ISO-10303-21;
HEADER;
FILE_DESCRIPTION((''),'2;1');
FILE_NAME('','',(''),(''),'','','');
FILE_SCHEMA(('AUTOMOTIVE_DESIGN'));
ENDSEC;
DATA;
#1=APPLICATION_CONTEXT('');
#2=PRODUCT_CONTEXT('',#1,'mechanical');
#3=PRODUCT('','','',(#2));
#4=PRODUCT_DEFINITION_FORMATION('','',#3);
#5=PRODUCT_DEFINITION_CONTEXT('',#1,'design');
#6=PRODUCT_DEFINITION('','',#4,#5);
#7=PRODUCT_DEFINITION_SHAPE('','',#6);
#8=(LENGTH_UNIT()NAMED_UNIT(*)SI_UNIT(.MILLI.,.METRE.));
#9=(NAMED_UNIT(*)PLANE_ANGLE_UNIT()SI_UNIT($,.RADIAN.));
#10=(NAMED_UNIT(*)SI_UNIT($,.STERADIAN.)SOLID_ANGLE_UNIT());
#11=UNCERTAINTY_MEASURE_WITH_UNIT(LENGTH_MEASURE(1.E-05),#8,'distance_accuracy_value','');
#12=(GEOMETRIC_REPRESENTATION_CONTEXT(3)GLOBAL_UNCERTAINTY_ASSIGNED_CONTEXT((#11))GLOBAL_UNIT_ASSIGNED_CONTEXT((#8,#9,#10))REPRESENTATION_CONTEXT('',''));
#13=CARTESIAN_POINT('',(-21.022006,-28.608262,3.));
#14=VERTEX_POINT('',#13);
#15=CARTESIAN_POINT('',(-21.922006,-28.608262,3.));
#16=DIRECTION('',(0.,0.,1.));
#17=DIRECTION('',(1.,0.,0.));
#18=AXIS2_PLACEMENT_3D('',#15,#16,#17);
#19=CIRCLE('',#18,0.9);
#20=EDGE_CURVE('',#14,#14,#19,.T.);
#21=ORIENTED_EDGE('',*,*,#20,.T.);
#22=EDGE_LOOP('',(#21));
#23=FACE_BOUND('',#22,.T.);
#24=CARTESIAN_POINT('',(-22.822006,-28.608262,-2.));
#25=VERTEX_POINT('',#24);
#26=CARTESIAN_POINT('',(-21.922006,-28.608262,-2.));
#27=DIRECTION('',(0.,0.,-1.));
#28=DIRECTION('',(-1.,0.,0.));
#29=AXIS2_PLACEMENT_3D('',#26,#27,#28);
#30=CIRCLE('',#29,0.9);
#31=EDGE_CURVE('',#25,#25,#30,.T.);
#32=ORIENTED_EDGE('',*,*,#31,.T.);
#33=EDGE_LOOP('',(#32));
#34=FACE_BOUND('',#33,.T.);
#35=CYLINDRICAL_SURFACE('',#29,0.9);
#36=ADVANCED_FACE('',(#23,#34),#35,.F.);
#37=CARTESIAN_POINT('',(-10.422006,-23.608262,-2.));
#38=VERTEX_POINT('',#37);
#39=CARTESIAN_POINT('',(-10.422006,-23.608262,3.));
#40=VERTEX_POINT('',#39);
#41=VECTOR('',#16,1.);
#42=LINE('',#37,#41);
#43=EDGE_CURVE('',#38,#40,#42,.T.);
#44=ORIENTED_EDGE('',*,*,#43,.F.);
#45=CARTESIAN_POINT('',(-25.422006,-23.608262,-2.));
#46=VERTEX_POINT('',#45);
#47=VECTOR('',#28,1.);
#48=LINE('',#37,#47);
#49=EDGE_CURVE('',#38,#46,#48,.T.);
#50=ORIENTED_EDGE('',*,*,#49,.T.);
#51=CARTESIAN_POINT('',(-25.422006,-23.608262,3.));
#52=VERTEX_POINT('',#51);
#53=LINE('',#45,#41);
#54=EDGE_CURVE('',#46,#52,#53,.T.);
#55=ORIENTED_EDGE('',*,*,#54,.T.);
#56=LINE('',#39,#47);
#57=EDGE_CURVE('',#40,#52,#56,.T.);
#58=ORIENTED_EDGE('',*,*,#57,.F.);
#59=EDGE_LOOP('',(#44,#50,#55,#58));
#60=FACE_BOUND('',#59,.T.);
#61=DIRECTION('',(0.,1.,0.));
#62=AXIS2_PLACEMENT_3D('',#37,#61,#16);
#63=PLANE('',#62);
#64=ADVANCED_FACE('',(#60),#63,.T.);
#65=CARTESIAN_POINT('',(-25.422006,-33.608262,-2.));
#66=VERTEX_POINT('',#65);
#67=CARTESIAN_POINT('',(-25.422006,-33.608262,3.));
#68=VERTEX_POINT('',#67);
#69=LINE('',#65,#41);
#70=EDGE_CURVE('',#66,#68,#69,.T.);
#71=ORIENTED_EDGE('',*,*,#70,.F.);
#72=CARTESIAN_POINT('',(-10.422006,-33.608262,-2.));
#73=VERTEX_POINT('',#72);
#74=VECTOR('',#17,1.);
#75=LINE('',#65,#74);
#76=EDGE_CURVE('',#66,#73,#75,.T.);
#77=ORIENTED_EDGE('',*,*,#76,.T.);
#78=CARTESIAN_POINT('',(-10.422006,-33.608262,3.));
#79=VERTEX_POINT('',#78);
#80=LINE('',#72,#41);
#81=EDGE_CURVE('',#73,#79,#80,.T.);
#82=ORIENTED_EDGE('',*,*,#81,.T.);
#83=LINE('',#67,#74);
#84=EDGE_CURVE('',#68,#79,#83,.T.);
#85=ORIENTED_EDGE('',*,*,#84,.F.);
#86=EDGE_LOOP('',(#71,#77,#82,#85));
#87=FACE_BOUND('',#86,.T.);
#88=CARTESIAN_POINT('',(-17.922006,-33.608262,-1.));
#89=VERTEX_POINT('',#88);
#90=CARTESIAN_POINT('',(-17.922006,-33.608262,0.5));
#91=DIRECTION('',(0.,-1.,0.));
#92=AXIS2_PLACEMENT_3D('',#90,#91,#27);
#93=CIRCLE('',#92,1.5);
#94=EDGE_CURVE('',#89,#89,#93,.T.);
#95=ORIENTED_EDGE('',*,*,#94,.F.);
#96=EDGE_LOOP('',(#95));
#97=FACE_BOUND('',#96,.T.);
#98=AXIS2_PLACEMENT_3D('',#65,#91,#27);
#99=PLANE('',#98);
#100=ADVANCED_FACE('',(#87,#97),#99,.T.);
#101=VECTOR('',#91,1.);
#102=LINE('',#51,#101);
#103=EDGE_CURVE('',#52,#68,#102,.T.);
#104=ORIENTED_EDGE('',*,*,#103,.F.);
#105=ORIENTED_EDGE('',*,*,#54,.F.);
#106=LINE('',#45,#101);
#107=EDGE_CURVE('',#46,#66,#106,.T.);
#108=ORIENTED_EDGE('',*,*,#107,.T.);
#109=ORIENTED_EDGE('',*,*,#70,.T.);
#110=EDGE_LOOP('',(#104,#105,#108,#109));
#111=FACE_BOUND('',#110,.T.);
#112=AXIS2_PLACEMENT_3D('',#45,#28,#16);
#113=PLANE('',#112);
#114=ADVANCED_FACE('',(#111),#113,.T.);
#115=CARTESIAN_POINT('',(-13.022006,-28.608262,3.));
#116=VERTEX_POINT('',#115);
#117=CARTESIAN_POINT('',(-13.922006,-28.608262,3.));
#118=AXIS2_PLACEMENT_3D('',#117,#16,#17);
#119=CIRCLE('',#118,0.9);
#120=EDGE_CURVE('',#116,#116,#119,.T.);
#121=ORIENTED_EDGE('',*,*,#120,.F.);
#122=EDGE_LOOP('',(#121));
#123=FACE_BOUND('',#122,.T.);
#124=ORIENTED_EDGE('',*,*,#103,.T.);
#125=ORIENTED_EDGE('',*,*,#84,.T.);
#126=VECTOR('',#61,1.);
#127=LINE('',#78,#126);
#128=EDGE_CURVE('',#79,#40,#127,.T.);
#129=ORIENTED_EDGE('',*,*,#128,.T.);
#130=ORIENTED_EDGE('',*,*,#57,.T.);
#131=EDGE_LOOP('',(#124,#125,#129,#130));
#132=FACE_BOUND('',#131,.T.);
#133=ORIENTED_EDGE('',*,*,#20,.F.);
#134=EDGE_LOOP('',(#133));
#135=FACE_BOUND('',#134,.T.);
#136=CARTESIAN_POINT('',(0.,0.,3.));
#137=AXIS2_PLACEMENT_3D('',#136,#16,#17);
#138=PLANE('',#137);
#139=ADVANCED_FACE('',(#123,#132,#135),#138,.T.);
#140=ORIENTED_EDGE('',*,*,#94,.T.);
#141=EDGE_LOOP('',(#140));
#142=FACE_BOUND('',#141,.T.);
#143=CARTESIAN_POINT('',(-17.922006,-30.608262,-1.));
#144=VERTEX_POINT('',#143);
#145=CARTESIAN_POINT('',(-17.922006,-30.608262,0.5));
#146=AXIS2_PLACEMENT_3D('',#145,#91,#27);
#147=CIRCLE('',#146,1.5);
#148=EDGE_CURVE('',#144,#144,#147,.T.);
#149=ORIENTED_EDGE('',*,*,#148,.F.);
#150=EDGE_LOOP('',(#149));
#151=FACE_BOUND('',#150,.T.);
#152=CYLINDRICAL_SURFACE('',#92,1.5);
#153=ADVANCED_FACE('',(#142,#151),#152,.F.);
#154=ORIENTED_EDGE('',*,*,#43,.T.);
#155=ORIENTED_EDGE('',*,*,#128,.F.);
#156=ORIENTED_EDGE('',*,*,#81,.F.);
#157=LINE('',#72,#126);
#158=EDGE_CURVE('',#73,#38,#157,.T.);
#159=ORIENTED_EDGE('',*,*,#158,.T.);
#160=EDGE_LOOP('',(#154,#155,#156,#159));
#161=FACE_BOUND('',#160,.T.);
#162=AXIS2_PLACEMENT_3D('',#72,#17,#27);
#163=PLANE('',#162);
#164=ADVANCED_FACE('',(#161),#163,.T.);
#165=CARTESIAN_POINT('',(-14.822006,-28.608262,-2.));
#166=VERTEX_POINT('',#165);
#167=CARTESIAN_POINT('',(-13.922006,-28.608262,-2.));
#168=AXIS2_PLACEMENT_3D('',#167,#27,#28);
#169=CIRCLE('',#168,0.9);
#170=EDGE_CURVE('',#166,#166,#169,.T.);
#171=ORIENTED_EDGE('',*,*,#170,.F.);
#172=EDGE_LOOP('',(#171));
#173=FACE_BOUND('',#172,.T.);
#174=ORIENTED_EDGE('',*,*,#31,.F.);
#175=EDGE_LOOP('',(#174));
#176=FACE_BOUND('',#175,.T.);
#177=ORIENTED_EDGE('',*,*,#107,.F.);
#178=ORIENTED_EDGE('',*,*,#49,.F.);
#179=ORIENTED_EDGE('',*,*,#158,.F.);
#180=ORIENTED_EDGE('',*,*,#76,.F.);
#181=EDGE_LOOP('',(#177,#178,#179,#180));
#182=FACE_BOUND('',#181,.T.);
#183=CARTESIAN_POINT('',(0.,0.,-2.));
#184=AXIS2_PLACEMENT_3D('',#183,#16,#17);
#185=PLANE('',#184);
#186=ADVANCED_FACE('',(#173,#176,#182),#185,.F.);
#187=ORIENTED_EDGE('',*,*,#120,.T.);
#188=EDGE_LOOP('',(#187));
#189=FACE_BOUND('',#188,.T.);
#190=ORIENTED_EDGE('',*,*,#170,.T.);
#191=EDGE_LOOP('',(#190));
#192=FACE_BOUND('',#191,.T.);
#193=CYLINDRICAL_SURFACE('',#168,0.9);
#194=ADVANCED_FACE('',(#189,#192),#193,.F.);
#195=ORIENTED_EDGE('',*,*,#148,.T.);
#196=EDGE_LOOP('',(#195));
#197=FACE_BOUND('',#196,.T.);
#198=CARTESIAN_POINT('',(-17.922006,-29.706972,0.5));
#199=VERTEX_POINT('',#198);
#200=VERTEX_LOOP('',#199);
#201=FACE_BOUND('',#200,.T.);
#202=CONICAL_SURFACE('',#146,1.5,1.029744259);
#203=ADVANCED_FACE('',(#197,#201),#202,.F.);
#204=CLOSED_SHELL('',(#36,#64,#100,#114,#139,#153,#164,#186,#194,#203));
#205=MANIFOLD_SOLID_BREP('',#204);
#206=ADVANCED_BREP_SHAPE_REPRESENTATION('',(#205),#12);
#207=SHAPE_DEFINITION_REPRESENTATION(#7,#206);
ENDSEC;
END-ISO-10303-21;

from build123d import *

# Parameters (mm, degrees)
BOSS_EXTRU_1_DEPTH      = 3
BOSS_EXTRU_1_DEPTH_BACK = 2
ESQUISSE1_W             = 15
ESQUISSE1_H             = 10
D_GAGEMENT_M1_61_D      = 1.8
D_GAGEMENT_M1_61_DEPTH  = 28.17
D_GAGEMENT_M1_61_TIP    = 0.540774557
D_GAGEMENT_M1_62_D      = 3
D_GAGEMENT_M1_62_DEPTH  = 3
D_GAGEMENT_M1_62_TIP    = 0.901290929


with BuildPart() as part:
    # Esquisse1 → Boss.-Extru.1 (new, two sides: drawn at the far end of the back side and taken through both)
    with BuildSketch(Plane.XY.offset(-BOSS_EXTRU_1_DEPTH_BACK)):
        with Locations((-17.922006263, -28.608262445)):
            Rectangle(ESQUISSE1_W, ESQUISSE1_H)
    extrude(amount=BOSS_EXTRU_1_DEPTH + BOSS_EXTRU_1_DEPTH_BACK)

    # Dégagement M1.61
    with Locations(Plane(origin=(-21.922006263, -28.608262445, -2), x_dir=(-1, 0, 0), z_dir=(0, 0, -1))):
        with Locations((0, 0), (-8, 0)):
            Hole(D_GAGEMENT_M1_61_D / 2, depth=D_GAGEMENT_M1_61_DEPTH)
            with Locations((0, 0, -(D_GAGEMENT_M1_61_DEPTH + D_GAGEMENT_M1_61_TIP / 2))):  # 118° drill point
                Cone(0, D_GAGEMENT_M1_61_D / 2, D_GAGEMENT_M1_61_TIP, mode=Mode.SUBTRACT)

    # Dégagement M1.62
    with Locations(Plane(origin=(-17.922006263, -33.608262445, 0.5), x_dir=(0, 0, -1), z_dir=(0, -1, 0))):
        with Locations((0, 0)):
            Hole(D_GAGEMENT_M1_62_D / 2, depth=D_GAGEMENT_M1_62_DEPTH)
            with Locations((0, 0, -(D_GAGEMENT_M1_62_DEPTH + D_GAGEMENT_M1_62_TIP / 2))):  # 118° drill point
                Cone(0, D_GAGEMENT_M1_62_D / 2, D_GAGEMENT_M1_62_TIP, mode=Mode.SUBTRACT)


solid = part.part
